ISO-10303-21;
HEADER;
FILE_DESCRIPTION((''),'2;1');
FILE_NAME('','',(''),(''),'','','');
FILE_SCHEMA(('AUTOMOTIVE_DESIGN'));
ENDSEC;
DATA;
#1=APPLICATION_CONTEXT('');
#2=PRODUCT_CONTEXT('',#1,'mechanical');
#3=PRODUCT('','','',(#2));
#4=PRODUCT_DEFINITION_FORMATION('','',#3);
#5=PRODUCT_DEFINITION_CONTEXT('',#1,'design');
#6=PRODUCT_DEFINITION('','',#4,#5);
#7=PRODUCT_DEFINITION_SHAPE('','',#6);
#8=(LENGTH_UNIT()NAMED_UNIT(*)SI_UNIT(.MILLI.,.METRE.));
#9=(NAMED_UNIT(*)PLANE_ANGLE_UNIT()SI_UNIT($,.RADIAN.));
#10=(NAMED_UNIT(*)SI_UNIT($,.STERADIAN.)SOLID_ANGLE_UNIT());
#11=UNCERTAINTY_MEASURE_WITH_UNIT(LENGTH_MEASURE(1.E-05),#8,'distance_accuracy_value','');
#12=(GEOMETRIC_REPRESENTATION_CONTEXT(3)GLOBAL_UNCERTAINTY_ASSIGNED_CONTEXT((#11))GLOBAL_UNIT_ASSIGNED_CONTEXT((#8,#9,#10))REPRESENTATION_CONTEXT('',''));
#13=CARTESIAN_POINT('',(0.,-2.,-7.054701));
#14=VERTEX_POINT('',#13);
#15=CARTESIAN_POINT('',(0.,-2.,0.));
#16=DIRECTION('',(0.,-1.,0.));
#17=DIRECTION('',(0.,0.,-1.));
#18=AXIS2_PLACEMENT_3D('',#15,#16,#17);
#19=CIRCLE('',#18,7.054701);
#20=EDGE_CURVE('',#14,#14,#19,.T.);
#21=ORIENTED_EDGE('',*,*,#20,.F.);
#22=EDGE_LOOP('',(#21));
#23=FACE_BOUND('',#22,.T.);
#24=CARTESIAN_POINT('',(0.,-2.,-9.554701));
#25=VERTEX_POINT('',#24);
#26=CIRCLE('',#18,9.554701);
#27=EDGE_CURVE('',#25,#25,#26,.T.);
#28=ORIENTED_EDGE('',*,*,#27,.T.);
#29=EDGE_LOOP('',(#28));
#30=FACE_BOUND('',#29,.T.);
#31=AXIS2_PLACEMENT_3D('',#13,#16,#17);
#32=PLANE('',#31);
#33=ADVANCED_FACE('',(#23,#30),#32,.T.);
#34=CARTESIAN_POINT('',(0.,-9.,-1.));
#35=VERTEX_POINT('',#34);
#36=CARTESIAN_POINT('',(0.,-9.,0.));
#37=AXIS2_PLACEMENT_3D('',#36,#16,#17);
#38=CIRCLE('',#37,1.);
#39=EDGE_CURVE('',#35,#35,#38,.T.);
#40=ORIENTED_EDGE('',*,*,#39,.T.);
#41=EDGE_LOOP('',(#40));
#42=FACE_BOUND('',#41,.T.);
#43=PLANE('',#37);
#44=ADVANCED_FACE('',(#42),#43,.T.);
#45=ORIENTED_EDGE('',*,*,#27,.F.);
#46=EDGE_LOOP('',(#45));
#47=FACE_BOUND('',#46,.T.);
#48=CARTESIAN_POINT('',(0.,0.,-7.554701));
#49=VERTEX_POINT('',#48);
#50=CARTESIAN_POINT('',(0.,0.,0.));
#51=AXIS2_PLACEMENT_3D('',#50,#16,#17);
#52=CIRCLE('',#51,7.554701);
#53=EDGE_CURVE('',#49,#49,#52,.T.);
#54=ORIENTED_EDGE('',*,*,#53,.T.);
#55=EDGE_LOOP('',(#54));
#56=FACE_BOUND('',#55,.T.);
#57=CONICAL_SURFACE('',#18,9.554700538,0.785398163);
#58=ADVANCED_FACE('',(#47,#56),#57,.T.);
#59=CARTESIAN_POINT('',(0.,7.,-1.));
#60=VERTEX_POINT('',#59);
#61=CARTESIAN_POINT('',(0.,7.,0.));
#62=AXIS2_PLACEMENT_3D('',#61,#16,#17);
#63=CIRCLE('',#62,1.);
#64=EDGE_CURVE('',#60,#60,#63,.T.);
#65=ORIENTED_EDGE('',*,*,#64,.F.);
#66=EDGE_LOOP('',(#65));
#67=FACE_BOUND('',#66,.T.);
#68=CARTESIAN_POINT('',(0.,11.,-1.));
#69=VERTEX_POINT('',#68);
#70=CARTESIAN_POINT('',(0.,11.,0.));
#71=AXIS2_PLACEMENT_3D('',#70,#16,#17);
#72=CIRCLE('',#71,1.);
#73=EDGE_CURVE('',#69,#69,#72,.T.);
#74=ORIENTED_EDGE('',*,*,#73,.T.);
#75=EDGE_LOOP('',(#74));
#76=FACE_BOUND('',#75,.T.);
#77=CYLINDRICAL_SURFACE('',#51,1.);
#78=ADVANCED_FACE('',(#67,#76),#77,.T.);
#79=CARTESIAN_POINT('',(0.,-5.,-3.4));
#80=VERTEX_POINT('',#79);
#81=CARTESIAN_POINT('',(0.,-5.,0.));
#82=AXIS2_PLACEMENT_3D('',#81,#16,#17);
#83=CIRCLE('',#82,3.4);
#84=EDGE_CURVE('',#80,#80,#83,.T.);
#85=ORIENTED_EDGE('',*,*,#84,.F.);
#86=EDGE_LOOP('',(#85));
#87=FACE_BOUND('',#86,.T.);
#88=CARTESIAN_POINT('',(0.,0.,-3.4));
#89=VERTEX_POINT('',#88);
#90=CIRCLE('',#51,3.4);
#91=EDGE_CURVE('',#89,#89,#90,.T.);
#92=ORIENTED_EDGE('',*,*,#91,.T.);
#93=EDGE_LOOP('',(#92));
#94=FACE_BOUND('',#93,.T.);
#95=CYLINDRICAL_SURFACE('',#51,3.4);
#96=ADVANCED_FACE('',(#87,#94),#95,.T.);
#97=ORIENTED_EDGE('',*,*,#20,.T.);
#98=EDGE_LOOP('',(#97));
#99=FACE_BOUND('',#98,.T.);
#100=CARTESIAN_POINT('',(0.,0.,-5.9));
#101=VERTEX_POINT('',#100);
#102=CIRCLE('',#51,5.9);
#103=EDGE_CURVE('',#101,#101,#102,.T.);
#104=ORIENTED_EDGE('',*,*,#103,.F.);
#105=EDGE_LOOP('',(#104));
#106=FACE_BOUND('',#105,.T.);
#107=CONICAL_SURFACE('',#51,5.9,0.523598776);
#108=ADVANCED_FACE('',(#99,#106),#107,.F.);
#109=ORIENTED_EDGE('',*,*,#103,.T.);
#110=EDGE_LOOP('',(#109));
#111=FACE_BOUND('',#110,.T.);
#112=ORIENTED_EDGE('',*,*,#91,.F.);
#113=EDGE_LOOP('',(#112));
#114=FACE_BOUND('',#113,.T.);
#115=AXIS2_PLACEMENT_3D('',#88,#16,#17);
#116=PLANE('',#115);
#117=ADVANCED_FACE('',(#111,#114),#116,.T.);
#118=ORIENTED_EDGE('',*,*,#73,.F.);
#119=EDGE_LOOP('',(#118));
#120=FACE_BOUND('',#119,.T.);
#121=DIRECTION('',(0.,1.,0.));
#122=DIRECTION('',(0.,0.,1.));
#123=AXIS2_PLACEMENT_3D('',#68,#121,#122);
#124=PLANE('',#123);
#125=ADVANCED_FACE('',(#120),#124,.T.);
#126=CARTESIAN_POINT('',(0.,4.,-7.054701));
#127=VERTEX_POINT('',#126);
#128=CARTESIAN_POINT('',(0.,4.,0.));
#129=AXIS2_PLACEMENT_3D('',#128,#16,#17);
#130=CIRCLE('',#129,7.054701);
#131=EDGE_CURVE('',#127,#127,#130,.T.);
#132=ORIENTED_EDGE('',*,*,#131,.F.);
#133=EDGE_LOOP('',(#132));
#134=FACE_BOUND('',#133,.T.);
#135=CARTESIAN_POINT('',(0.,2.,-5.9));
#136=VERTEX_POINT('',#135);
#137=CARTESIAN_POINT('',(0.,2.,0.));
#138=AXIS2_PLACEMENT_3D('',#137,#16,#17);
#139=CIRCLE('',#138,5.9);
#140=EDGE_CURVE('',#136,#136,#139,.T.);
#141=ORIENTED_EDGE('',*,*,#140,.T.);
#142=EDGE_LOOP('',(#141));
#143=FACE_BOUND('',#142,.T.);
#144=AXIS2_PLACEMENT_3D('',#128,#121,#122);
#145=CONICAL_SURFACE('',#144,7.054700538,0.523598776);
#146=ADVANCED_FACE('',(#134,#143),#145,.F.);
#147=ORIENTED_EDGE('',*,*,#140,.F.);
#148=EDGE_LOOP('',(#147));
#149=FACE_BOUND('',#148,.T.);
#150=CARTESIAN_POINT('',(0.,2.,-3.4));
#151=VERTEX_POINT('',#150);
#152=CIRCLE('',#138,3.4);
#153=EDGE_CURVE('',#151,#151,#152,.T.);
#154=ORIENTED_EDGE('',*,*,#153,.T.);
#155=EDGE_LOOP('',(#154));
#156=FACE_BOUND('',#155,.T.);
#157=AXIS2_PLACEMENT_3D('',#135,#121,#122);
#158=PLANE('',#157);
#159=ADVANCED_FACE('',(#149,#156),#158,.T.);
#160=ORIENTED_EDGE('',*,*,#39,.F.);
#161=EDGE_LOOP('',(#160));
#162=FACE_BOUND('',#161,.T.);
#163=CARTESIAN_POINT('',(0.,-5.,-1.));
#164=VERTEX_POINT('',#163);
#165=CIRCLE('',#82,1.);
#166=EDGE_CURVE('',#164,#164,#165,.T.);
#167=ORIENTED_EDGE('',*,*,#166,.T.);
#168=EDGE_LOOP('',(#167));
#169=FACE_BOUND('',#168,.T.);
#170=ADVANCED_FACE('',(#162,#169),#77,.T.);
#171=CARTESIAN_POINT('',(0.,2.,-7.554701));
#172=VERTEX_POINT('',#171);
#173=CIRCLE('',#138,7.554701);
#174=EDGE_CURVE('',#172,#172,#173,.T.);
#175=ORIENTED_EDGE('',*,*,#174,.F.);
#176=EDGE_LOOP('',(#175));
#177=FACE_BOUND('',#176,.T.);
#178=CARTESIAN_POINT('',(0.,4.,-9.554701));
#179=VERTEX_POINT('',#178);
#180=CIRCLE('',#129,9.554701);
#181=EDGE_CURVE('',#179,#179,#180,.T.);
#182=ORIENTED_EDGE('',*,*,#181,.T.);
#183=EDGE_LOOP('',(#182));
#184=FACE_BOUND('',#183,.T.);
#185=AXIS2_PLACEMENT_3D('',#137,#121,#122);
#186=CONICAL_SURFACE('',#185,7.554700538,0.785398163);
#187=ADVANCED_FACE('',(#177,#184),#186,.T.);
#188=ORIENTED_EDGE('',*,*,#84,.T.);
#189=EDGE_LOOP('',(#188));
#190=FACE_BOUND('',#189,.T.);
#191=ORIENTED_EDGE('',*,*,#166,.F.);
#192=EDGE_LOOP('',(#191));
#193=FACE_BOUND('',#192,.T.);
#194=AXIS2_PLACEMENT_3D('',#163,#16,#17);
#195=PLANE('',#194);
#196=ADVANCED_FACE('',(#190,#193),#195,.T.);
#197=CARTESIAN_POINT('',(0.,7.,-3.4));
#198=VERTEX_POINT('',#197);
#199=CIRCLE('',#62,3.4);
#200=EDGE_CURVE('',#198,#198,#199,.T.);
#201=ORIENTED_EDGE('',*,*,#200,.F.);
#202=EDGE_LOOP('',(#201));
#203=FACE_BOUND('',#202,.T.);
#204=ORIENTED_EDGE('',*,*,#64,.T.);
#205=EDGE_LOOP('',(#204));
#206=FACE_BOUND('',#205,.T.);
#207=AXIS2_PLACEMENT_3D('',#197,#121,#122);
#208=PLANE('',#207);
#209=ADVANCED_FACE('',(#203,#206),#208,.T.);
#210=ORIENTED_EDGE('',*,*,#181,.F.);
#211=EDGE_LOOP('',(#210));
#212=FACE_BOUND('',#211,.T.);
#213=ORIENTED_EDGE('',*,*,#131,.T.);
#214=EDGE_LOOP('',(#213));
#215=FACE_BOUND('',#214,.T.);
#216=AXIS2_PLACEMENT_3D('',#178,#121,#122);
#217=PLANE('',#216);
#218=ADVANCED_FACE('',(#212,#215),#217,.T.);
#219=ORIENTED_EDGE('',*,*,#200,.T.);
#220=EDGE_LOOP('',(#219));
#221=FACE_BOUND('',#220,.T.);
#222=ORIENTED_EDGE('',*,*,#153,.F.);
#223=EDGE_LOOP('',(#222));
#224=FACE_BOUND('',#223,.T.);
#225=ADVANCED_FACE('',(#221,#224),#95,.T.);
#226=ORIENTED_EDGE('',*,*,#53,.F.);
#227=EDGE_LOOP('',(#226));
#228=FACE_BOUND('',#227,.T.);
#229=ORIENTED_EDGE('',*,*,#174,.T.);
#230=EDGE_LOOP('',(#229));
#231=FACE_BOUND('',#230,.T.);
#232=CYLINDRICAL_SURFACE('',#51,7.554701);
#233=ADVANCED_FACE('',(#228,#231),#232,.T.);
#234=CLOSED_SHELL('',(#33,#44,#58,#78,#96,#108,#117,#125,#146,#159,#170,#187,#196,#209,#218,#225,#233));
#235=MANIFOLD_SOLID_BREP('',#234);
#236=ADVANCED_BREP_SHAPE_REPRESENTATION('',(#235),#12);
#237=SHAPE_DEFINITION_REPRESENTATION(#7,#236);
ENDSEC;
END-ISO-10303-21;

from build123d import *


with BuildPart() as part:
    # Esquisse2 → Révolution1 (revolve)
    with BuildSketch(Plane(origin=(0, 0, 0), x_dir=(0, 0, -1), z_dir=(1, 0, 0))):
        Polygon((3.4, 0), (3.4, -5), (1, -5), (1, -9), (0, -9), (0, 11), (1, 11), (1, 7), (3.4, 7), (3.4, 2), (5.9, 2), (7.054700538, 4), (9.554700538, 4), (7.554700538, 2), (7.554700538, 0), (9.554700538, -2), (7.054700538, -2), (5.9, 0), align=None)
    revolve(axis=Axis((0, 0, 0), (0, 1, 0)))


solid = part.part
